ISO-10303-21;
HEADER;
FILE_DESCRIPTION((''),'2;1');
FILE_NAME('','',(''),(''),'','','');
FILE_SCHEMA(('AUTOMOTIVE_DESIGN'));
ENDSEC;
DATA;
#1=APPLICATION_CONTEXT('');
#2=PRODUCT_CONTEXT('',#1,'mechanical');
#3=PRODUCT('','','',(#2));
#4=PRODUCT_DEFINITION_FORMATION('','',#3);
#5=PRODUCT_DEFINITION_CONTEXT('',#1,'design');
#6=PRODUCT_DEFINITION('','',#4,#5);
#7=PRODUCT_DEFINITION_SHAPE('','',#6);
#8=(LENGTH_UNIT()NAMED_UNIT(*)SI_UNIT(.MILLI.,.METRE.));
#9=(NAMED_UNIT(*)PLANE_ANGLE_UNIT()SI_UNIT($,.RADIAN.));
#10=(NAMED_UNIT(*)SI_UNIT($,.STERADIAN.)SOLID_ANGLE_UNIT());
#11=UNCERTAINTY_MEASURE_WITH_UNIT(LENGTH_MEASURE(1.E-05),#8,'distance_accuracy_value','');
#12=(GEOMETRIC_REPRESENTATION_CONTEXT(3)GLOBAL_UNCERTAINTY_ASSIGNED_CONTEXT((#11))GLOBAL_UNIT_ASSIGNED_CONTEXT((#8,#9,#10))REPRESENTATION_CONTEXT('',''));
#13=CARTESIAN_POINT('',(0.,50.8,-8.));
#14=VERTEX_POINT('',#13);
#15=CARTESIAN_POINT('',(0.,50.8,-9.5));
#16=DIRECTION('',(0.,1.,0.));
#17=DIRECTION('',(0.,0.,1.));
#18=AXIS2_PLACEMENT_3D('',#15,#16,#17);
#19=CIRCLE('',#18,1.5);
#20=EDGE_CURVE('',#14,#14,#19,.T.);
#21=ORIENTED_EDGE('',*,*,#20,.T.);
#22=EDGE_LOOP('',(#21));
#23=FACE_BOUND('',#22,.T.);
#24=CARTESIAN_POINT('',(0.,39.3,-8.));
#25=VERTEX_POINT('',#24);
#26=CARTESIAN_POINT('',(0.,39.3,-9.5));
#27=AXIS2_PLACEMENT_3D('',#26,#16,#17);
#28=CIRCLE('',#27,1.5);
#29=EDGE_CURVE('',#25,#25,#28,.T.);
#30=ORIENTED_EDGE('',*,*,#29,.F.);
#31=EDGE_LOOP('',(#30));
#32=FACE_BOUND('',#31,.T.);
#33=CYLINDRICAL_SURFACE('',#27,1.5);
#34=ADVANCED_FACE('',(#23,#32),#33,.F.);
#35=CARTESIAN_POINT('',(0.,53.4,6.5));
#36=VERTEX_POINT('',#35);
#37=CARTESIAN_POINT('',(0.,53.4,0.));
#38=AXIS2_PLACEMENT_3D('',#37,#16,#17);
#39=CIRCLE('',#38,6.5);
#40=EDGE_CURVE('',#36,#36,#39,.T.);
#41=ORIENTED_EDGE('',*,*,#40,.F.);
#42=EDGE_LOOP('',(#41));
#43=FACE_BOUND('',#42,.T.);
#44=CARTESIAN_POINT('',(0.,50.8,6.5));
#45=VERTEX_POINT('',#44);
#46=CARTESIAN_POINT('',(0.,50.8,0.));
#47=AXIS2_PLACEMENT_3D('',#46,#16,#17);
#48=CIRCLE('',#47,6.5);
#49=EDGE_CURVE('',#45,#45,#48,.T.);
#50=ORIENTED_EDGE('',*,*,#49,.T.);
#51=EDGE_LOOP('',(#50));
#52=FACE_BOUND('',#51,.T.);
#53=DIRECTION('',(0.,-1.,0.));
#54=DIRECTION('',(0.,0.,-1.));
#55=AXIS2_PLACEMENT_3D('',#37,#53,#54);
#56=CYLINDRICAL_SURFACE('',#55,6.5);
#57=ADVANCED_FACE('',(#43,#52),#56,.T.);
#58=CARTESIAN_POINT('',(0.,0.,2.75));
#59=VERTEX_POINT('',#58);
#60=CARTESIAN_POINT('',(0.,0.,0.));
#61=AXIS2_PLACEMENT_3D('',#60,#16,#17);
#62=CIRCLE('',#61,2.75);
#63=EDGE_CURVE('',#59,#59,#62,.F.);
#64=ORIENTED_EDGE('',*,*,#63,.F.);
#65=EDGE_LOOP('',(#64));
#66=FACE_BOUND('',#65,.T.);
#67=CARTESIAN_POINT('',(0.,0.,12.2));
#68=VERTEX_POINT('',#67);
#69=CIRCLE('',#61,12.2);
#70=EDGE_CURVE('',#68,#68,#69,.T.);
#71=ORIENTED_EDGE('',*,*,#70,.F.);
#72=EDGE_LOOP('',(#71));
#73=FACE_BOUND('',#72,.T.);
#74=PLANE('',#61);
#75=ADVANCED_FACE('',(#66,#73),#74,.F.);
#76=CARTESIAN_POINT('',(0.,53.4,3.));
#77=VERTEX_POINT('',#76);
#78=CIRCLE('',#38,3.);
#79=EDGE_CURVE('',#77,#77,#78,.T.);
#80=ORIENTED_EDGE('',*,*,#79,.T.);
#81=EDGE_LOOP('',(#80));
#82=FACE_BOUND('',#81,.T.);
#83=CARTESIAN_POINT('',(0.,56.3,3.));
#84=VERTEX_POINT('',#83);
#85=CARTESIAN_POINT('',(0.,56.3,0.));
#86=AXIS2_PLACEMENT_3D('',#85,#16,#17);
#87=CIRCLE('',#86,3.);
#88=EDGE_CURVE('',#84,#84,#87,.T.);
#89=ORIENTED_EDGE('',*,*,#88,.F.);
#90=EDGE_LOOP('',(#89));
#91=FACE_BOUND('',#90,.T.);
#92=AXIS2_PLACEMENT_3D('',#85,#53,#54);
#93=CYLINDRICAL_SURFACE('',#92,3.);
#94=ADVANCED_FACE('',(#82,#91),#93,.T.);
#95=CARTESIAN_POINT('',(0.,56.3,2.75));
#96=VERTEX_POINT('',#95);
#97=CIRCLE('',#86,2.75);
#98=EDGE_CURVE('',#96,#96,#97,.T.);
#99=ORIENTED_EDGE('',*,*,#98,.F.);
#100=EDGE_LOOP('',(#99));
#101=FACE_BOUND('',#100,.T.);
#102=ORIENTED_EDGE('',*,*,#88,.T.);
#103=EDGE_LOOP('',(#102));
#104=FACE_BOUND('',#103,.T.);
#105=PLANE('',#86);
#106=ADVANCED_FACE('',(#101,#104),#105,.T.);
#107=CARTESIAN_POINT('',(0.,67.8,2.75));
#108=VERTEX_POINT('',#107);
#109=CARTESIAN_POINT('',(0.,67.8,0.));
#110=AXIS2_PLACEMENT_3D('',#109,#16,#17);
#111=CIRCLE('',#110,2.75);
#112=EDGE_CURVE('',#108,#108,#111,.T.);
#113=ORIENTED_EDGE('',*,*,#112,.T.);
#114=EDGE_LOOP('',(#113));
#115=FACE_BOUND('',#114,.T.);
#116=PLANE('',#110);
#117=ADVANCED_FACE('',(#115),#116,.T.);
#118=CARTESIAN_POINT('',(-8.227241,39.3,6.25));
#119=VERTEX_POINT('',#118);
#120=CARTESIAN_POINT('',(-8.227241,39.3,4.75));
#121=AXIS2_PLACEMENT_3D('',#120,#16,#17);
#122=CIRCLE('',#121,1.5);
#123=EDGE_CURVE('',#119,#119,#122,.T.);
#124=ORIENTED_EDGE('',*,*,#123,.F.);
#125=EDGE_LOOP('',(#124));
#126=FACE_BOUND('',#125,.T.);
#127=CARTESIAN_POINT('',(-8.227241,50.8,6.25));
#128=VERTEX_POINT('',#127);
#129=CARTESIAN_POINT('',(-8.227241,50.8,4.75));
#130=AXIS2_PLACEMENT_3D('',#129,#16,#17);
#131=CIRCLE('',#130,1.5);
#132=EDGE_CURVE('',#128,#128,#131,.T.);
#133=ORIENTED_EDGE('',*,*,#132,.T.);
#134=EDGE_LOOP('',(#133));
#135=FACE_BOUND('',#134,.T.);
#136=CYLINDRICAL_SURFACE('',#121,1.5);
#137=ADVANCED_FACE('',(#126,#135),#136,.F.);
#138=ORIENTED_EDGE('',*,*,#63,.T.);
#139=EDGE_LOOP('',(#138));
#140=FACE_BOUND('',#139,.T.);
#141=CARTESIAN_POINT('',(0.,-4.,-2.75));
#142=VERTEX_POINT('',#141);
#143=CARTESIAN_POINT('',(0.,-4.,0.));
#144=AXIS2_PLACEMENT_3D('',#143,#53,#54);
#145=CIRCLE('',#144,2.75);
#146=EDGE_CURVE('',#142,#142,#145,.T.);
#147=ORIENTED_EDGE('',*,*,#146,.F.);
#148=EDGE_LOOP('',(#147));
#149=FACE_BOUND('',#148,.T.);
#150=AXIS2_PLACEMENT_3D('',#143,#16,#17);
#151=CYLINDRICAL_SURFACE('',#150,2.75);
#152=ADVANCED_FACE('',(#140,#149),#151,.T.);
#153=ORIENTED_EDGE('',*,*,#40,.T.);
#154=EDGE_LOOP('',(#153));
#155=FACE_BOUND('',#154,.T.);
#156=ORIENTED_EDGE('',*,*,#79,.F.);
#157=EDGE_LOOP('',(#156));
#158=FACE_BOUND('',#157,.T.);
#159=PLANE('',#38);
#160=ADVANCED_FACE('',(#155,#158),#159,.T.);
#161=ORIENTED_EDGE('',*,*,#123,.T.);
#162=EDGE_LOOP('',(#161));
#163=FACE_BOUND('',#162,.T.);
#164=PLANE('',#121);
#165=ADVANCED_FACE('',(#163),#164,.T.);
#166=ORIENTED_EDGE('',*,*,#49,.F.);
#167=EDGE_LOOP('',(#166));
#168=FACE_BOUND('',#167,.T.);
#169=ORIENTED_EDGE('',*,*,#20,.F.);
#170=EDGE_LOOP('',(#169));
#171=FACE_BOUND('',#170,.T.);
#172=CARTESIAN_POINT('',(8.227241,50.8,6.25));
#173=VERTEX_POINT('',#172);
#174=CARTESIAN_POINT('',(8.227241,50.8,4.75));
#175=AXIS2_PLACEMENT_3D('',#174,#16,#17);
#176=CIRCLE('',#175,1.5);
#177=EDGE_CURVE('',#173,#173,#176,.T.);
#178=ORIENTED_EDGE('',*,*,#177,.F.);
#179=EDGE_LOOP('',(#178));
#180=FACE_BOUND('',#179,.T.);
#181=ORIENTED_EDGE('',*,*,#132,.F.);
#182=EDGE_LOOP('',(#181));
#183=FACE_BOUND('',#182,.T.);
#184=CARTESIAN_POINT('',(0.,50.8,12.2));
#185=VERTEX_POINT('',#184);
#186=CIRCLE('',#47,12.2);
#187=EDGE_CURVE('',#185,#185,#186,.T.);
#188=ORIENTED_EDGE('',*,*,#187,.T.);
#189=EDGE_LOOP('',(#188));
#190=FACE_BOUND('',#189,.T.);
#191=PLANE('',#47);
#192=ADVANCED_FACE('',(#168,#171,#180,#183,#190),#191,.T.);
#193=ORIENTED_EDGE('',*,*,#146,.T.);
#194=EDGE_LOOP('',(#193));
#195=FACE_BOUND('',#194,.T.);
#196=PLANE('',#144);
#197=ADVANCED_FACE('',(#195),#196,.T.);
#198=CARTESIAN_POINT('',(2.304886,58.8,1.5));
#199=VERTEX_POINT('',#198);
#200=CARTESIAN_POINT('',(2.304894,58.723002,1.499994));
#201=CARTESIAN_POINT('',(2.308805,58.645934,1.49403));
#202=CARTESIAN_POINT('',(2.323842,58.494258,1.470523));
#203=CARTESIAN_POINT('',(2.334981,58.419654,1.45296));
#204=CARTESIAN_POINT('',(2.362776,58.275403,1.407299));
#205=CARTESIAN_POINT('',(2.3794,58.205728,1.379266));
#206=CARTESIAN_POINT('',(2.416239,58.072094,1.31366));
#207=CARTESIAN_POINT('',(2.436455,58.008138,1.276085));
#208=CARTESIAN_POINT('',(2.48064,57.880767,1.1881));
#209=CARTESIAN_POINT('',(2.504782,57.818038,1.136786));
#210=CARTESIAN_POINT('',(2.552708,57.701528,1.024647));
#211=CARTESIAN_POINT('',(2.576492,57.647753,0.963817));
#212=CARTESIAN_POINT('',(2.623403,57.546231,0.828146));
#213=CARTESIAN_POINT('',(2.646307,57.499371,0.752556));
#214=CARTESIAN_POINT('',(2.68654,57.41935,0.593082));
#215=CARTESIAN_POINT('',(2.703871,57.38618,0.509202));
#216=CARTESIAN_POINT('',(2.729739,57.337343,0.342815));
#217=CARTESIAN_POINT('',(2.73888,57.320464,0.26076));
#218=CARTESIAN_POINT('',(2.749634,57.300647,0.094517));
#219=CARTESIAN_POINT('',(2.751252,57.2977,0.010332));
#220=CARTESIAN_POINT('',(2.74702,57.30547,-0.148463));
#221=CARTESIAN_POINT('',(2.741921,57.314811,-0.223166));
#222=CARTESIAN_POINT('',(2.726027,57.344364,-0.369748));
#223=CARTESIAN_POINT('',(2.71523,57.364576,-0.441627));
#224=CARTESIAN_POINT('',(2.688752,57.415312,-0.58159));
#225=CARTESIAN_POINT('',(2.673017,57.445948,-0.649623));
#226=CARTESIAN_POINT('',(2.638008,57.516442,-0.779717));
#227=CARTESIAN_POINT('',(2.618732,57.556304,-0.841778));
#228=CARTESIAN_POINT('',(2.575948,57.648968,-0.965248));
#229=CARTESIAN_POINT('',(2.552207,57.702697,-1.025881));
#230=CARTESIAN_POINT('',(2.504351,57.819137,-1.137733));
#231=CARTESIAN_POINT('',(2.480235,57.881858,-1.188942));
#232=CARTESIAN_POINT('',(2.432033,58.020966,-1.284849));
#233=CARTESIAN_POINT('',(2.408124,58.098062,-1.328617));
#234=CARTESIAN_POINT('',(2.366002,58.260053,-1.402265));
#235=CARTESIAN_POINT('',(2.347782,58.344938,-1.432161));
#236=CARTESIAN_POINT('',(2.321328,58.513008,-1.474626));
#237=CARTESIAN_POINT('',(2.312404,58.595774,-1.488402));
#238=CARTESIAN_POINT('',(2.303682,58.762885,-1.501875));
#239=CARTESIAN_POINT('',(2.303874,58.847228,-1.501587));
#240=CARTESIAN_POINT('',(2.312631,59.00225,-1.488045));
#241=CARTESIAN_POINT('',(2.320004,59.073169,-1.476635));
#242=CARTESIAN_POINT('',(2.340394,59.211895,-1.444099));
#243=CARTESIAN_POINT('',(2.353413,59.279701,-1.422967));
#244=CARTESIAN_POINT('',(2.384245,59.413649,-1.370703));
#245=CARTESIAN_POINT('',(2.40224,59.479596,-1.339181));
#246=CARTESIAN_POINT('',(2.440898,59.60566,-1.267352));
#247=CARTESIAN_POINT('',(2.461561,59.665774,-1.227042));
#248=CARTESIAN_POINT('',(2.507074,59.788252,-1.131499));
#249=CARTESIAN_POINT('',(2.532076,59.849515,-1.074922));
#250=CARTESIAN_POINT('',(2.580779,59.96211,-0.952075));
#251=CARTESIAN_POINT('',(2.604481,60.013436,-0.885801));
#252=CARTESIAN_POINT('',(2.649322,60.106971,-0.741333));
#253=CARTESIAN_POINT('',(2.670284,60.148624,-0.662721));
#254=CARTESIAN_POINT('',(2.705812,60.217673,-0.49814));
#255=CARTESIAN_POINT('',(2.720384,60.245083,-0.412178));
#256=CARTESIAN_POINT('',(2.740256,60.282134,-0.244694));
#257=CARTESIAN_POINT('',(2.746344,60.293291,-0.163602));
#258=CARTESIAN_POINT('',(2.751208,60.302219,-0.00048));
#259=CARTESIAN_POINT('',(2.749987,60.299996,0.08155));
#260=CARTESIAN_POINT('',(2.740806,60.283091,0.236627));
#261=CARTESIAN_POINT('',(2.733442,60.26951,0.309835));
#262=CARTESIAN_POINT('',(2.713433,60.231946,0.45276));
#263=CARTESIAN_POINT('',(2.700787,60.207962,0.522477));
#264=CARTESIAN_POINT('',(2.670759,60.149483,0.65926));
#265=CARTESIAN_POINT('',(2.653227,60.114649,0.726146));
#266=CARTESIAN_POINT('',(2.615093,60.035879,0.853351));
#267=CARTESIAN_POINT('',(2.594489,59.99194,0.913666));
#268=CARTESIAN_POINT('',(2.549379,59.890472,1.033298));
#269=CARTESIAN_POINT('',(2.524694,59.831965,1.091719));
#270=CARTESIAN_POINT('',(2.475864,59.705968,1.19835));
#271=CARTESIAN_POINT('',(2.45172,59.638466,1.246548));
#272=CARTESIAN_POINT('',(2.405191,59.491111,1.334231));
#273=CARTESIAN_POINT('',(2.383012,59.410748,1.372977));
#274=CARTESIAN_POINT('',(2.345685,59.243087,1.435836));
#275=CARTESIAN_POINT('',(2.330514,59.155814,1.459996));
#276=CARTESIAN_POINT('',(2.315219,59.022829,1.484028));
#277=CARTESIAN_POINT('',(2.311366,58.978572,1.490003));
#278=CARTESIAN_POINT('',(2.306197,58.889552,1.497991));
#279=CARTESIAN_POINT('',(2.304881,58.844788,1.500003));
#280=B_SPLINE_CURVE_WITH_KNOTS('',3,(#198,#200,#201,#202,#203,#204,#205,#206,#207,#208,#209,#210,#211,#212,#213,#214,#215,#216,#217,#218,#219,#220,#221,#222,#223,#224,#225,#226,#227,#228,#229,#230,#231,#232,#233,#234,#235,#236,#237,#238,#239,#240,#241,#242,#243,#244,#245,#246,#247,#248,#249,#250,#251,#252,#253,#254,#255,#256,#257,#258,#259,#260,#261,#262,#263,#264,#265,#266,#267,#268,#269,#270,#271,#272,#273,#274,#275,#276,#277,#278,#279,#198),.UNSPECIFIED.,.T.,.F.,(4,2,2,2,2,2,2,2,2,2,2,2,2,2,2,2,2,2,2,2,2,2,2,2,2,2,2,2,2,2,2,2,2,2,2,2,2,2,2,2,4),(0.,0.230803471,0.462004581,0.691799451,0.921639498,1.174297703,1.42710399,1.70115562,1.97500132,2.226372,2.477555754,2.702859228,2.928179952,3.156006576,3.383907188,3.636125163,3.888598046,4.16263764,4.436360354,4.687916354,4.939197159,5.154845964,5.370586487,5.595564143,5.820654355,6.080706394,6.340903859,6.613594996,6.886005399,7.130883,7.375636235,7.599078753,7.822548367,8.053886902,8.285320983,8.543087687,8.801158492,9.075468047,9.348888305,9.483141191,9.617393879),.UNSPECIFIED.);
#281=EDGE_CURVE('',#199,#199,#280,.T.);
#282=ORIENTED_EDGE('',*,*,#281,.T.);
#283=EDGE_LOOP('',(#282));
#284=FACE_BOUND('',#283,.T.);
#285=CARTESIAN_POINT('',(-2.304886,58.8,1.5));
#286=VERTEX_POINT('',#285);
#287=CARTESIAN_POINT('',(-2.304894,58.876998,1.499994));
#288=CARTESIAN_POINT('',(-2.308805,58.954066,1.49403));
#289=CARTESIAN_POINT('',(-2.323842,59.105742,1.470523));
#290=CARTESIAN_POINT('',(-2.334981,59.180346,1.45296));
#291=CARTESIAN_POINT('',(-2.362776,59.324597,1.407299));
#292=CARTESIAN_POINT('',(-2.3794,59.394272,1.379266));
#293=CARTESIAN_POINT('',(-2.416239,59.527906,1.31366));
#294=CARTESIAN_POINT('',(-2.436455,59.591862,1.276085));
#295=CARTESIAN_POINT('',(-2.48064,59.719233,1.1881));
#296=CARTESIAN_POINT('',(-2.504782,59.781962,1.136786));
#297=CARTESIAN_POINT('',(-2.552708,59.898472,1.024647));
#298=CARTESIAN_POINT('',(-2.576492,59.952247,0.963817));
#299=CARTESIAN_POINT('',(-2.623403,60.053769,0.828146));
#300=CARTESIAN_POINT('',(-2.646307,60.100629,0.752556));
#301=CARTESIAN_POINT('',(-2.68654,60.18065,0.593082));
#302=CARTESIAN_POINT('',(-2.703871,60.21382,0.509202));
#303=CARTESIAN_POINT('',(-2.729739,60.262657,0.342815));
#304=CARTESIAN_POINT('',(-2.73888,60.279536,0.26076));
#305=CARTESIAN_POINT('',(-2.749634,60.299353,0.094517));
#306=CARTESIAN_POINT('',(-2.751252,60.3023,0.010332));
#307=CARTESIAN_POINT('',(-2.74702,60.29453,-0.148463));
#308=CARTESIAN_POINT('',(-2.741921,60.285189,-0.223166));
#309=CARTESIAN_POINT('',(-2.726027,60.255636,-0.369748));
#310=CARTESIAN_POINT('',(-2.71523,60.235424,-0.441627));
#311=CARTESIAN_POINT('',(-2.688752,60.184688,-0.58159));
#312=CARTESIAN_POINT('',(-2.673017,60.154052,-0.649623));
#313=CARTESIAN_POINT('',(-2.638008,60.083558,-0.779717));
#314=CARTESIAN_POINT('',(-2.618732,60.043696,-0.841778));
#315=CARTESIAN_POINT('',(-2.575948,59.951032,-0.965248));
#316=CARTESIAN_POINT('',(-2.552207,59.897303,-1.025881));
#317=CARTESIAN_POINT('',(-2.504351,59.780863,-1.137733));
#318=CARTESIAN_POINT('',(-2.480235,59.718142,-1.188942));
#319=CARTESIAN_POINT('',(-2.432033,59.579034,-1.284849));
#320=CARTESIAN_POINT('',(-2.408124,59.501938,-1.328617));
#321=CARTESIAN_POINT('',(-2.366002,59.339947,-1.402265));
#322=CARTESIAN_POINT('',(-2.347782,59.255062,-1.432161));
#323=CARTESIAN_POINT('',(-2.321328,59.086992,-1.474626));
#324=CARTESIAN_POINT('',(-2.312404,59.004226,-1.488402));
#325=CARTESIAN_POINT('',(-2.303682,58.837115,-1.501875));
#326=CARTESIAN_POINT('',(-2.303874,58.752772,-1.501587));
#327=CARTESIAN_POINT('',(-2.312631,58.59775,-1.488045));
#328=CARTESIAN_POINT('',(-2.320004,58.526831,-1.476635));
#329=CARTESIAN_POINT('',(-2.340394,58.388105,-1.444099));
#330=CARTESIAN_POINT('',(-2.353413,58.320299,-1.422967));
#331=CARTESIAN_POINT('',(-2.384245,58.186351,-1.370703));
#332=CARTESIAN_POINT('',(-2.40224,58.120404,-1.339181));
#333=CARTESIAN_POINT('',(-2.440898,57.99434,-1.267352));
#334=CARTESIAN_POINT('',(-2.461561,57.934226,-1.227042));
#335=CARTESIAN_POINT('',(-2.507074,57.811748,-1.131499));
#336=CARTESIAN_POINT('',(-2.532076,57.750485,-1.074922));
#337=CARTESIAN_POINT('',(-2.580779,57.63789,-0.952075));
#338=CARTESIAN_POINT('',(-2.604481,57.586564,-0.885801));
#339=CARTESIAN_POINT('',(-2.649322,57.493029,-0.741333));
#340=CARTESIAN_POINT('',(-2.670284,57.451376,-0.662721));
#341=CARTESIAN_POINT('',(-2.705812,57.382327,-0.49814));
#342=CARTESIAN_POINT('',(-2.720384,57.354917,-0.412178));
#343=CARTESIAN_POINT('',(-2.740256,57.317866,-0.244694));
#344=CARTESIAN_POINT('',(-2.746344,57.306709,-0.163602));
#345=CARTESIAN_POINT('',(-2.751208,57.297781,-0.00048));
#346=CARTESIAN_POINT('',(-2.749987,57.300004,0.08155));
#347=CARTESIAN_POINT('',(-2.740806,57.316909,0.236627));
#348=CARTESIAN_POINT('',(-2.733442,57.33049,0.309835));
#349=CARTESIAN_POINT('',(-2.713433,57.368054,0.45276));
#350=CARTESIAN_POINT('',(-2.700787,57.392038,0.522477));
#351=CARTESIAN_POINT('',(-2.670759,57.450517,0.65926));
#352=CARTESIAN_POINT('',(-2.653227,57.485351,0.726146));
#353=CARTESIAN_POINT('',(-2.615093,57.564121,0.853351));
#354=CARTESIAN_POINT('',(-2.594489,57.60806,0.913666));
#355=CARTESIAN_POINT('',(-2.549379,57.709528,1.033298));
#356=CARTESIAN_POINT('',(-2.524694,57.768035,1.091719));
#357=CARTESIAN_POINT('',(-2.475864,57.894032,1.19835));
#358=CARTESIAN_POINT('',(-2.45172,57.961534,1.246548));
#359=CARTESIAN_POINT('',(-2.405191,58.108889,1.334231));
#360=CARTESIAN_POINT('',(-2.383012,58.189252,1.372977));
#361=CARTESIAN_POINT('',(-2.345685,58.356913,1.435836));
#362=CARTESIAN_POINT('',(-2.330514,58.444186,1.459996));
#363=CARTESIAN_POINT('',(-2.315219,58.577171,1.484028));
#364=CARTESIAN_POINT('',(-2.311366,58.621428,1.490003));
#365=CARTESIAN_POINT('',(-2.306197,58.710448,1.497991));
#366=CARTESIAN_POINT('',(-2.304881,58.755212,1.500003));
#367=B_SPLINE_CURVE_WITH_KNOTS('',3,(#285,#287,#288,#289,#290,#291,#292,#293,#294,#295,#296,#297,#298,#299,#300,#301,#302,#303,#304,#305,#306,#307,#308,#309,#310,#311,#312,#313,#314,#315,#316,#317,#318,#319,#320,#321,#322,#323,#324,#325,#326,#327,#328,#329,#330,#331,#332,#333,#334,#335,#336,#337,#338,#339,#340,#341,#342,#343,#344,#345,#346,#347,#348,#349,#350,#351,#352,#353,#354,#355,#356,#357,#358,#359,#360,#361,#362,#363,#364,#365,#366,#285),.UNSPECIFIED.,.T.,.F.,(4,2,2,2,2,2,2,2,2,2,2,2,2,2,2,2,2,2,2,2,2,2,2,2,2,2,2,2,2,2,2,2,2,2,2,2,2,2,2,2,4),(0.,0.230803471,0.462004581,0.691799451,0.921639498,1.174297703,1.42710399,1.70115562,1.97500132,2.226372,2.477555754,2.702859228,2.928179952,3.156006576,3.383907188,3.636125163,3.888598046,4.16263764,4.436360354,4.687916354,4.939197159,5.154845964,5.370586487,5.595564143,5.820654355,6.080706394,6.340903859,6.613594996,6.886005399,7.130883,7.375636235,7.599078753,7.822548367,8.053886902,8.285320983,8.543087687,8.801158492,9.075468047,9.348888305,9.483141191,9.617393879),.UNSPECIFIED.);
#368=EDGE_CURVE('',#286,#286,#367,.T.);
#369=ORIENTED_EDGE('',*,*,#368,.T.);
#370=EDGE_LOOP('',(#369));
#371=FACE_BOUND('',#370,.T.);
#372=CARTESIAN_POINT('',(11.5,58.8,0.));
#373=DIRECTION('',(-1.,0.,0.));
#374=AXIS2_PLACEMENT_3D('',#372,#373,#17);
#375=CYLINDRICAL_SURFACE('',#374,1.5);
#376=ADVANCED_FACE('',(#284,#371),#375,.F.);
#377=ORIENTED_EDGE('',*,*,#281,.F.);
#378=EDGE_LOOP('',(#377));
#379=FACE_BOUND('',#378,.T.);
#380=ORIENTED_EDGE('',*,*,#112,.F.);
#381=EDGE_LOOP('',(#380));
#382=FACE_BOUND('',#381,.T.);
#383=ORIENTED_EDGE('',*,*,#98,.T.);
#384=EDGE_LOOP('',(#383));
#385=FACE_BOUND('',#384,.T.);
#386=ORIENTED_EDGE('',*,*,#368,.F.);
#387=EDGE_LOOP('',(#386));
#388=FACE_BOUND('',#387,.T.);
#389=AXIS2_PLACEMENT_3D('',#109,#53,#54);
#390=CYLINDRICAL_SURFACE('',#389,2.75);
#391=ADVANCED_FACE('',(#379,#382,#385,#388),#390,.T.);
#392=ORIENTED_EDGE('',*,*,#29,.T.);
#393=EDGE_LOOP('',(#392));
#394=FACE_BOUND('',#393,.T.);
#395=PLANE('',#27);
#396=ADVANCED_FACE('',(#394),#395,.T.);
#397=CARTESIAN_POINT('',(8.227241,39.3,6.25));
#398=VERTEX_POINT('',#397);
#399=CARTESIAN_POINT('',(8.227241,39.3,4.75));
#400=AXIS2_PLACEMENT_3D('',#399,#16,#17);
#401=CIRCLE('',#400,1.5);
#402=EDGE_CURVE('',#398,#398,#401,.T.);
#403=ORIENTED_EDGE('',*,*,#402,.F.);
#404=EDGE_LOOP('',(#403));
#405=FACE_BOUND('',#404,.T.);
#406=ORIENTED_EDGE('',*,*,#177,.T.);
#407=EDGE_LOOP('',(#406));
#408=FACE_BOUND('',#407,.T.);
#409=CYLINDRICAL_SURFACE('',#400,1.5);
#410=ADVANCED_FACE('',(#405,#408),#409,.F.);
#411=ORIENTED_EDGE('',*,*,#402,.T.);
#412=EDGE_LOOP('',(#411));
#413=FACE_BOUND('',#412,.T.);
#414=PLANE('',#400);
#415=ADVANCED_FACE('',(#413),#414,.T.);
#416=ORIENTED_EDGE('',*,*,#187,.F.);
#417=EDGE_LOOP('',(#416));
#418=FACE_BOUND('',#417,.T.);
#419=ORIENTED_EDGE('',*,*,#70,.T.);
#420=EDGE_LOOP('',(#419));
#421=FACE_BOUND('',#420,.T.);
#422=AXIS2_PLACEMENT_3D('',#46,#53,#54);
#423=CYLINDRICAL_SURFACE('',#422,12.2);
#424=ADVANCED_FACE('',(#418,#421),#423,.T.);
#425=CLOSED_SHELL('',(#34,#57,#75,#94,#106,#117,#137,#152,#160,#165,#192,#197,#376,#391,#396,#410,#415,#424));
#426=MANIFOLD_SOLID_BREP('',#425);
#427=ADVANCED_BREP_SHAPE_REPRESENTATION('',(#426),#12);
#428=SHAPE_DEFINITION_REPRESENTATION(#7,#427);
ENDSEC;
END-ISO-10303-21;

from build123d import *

# Parameters (mm, degrees)
SKETCH_1_R               = 12.2
EXTRUDE_1_DEPTH          = 50.8
SKETCH_2_R               = 2.75
EXTRUDE_2_DEPTH          = 4
SKETCH_4_R               = 6.5
EXTRUDE_3_DEPTH          = 2.6
SKETCH_5_R               = 3
EXTRUDE_4_DEPTH          = 2.9
EXTRUDE_START            = 11.5
SKETCH_6_R               = 2.75
EXTRUDE_5_DEPTH          = 11.5
CUT_EXTRUDE_1_DEPTH      = 11.5
CUT_EXTRUDE_1_DEPTH_BACK = 11.5
SKETCH_7_R               = 1.5
SKETCH_8_R               = 1.5
CUT_EXTRUDE_2_DEPTH      = 11.5


with BuildPart() as part:
    # 草图1 → 凸台-拉伸1 (new body)
    with BuildSketch(Plane(origin=(0, 0, 0), x_dir=(1, 0, 0), z_dir=(0, 1, 0))):
        Circle(SKETCH_1_R)
    extrude(amount=EXTRUDE_1_DEPTH)

    # 草图2 → 凸台-拉伸2 (add)
    with BuildSketch(Plane.XZ):
        Circle(SKETCH_2_R)
    extrude(amount=EXTRUDE_2_DEPTH)

    # 草图4 → 凸台-拉伸3 (add)
    with BuildSketch(Plane(origin=(0, 50.8, 0), x_dir=(1, 0, 0), z_dir=(0, 1, 0))):
        Circle(SKETCH_4_R)
    extrude(amount=EXTRUDE_3_DEPTH)

    # 草图5 → 凸台-拉伸4 (add)
    with BuildSketch(Plane(origin=(0, 53.4, 0), x_dir=(1, 0, 0), z_dir=(0, 1, 0))):
        Circle(SKETCH_5_R)
    extrude(amount=EXTRUDE_4_DEPTH)

    # 草图6 → 凸台-拉伸5 (add)
    with BuildSketch(Plane(origin=(0, 56.3, 0), x_dir=(1, 0, 0), z_dir=(0, 1, 0)).offset(EXTRUDE_START)):
        Circle(SKETCH_6_R)
    extrude(amount=-EXTRUDE_5_DEPTH)

    # 草图7 → 切除-拉伸1 (cut, two sides: drawn at the far end of the back side and taken through both)
    with BuildSketch(Plane(origin=(0, 0, 0), x_dir=(0, 0, -1), z_dir=(1, 0, 0)).offset(-CUT_EXTRUDE_1_DEPTH_BACK)):
        with Locations((0, 58.8)):
            Circle(SKETCH_7_R)
    extrude(amount=CUT_EXTRUDE_1_DEPTH + CUT_EXTRUDE_1_DEPTH_BACK, mode=Mode.SUBTRACT)

    # 草图8 → 切除-拉伸2 (cut)
    with BuildSketch(Plane(origin=(0, 50.8, 0), x_dir=(1, 0, 0), z_dir=(0, 1, 0))):
        with Locations((0, 9.5)):
            Circle(SKETCH_8_R)
        with Locations((8.227241336, -4.75)):
            Circle(SKETCH_8_R)
        with Locations((-8.227241336, -4.75)):
            Circle(SKETCH_8_R)
    extrude(amount=-CUT_EXTRUDE_2_DEPTH, mode=Mode.SUBTRACT)


solid = part.part
